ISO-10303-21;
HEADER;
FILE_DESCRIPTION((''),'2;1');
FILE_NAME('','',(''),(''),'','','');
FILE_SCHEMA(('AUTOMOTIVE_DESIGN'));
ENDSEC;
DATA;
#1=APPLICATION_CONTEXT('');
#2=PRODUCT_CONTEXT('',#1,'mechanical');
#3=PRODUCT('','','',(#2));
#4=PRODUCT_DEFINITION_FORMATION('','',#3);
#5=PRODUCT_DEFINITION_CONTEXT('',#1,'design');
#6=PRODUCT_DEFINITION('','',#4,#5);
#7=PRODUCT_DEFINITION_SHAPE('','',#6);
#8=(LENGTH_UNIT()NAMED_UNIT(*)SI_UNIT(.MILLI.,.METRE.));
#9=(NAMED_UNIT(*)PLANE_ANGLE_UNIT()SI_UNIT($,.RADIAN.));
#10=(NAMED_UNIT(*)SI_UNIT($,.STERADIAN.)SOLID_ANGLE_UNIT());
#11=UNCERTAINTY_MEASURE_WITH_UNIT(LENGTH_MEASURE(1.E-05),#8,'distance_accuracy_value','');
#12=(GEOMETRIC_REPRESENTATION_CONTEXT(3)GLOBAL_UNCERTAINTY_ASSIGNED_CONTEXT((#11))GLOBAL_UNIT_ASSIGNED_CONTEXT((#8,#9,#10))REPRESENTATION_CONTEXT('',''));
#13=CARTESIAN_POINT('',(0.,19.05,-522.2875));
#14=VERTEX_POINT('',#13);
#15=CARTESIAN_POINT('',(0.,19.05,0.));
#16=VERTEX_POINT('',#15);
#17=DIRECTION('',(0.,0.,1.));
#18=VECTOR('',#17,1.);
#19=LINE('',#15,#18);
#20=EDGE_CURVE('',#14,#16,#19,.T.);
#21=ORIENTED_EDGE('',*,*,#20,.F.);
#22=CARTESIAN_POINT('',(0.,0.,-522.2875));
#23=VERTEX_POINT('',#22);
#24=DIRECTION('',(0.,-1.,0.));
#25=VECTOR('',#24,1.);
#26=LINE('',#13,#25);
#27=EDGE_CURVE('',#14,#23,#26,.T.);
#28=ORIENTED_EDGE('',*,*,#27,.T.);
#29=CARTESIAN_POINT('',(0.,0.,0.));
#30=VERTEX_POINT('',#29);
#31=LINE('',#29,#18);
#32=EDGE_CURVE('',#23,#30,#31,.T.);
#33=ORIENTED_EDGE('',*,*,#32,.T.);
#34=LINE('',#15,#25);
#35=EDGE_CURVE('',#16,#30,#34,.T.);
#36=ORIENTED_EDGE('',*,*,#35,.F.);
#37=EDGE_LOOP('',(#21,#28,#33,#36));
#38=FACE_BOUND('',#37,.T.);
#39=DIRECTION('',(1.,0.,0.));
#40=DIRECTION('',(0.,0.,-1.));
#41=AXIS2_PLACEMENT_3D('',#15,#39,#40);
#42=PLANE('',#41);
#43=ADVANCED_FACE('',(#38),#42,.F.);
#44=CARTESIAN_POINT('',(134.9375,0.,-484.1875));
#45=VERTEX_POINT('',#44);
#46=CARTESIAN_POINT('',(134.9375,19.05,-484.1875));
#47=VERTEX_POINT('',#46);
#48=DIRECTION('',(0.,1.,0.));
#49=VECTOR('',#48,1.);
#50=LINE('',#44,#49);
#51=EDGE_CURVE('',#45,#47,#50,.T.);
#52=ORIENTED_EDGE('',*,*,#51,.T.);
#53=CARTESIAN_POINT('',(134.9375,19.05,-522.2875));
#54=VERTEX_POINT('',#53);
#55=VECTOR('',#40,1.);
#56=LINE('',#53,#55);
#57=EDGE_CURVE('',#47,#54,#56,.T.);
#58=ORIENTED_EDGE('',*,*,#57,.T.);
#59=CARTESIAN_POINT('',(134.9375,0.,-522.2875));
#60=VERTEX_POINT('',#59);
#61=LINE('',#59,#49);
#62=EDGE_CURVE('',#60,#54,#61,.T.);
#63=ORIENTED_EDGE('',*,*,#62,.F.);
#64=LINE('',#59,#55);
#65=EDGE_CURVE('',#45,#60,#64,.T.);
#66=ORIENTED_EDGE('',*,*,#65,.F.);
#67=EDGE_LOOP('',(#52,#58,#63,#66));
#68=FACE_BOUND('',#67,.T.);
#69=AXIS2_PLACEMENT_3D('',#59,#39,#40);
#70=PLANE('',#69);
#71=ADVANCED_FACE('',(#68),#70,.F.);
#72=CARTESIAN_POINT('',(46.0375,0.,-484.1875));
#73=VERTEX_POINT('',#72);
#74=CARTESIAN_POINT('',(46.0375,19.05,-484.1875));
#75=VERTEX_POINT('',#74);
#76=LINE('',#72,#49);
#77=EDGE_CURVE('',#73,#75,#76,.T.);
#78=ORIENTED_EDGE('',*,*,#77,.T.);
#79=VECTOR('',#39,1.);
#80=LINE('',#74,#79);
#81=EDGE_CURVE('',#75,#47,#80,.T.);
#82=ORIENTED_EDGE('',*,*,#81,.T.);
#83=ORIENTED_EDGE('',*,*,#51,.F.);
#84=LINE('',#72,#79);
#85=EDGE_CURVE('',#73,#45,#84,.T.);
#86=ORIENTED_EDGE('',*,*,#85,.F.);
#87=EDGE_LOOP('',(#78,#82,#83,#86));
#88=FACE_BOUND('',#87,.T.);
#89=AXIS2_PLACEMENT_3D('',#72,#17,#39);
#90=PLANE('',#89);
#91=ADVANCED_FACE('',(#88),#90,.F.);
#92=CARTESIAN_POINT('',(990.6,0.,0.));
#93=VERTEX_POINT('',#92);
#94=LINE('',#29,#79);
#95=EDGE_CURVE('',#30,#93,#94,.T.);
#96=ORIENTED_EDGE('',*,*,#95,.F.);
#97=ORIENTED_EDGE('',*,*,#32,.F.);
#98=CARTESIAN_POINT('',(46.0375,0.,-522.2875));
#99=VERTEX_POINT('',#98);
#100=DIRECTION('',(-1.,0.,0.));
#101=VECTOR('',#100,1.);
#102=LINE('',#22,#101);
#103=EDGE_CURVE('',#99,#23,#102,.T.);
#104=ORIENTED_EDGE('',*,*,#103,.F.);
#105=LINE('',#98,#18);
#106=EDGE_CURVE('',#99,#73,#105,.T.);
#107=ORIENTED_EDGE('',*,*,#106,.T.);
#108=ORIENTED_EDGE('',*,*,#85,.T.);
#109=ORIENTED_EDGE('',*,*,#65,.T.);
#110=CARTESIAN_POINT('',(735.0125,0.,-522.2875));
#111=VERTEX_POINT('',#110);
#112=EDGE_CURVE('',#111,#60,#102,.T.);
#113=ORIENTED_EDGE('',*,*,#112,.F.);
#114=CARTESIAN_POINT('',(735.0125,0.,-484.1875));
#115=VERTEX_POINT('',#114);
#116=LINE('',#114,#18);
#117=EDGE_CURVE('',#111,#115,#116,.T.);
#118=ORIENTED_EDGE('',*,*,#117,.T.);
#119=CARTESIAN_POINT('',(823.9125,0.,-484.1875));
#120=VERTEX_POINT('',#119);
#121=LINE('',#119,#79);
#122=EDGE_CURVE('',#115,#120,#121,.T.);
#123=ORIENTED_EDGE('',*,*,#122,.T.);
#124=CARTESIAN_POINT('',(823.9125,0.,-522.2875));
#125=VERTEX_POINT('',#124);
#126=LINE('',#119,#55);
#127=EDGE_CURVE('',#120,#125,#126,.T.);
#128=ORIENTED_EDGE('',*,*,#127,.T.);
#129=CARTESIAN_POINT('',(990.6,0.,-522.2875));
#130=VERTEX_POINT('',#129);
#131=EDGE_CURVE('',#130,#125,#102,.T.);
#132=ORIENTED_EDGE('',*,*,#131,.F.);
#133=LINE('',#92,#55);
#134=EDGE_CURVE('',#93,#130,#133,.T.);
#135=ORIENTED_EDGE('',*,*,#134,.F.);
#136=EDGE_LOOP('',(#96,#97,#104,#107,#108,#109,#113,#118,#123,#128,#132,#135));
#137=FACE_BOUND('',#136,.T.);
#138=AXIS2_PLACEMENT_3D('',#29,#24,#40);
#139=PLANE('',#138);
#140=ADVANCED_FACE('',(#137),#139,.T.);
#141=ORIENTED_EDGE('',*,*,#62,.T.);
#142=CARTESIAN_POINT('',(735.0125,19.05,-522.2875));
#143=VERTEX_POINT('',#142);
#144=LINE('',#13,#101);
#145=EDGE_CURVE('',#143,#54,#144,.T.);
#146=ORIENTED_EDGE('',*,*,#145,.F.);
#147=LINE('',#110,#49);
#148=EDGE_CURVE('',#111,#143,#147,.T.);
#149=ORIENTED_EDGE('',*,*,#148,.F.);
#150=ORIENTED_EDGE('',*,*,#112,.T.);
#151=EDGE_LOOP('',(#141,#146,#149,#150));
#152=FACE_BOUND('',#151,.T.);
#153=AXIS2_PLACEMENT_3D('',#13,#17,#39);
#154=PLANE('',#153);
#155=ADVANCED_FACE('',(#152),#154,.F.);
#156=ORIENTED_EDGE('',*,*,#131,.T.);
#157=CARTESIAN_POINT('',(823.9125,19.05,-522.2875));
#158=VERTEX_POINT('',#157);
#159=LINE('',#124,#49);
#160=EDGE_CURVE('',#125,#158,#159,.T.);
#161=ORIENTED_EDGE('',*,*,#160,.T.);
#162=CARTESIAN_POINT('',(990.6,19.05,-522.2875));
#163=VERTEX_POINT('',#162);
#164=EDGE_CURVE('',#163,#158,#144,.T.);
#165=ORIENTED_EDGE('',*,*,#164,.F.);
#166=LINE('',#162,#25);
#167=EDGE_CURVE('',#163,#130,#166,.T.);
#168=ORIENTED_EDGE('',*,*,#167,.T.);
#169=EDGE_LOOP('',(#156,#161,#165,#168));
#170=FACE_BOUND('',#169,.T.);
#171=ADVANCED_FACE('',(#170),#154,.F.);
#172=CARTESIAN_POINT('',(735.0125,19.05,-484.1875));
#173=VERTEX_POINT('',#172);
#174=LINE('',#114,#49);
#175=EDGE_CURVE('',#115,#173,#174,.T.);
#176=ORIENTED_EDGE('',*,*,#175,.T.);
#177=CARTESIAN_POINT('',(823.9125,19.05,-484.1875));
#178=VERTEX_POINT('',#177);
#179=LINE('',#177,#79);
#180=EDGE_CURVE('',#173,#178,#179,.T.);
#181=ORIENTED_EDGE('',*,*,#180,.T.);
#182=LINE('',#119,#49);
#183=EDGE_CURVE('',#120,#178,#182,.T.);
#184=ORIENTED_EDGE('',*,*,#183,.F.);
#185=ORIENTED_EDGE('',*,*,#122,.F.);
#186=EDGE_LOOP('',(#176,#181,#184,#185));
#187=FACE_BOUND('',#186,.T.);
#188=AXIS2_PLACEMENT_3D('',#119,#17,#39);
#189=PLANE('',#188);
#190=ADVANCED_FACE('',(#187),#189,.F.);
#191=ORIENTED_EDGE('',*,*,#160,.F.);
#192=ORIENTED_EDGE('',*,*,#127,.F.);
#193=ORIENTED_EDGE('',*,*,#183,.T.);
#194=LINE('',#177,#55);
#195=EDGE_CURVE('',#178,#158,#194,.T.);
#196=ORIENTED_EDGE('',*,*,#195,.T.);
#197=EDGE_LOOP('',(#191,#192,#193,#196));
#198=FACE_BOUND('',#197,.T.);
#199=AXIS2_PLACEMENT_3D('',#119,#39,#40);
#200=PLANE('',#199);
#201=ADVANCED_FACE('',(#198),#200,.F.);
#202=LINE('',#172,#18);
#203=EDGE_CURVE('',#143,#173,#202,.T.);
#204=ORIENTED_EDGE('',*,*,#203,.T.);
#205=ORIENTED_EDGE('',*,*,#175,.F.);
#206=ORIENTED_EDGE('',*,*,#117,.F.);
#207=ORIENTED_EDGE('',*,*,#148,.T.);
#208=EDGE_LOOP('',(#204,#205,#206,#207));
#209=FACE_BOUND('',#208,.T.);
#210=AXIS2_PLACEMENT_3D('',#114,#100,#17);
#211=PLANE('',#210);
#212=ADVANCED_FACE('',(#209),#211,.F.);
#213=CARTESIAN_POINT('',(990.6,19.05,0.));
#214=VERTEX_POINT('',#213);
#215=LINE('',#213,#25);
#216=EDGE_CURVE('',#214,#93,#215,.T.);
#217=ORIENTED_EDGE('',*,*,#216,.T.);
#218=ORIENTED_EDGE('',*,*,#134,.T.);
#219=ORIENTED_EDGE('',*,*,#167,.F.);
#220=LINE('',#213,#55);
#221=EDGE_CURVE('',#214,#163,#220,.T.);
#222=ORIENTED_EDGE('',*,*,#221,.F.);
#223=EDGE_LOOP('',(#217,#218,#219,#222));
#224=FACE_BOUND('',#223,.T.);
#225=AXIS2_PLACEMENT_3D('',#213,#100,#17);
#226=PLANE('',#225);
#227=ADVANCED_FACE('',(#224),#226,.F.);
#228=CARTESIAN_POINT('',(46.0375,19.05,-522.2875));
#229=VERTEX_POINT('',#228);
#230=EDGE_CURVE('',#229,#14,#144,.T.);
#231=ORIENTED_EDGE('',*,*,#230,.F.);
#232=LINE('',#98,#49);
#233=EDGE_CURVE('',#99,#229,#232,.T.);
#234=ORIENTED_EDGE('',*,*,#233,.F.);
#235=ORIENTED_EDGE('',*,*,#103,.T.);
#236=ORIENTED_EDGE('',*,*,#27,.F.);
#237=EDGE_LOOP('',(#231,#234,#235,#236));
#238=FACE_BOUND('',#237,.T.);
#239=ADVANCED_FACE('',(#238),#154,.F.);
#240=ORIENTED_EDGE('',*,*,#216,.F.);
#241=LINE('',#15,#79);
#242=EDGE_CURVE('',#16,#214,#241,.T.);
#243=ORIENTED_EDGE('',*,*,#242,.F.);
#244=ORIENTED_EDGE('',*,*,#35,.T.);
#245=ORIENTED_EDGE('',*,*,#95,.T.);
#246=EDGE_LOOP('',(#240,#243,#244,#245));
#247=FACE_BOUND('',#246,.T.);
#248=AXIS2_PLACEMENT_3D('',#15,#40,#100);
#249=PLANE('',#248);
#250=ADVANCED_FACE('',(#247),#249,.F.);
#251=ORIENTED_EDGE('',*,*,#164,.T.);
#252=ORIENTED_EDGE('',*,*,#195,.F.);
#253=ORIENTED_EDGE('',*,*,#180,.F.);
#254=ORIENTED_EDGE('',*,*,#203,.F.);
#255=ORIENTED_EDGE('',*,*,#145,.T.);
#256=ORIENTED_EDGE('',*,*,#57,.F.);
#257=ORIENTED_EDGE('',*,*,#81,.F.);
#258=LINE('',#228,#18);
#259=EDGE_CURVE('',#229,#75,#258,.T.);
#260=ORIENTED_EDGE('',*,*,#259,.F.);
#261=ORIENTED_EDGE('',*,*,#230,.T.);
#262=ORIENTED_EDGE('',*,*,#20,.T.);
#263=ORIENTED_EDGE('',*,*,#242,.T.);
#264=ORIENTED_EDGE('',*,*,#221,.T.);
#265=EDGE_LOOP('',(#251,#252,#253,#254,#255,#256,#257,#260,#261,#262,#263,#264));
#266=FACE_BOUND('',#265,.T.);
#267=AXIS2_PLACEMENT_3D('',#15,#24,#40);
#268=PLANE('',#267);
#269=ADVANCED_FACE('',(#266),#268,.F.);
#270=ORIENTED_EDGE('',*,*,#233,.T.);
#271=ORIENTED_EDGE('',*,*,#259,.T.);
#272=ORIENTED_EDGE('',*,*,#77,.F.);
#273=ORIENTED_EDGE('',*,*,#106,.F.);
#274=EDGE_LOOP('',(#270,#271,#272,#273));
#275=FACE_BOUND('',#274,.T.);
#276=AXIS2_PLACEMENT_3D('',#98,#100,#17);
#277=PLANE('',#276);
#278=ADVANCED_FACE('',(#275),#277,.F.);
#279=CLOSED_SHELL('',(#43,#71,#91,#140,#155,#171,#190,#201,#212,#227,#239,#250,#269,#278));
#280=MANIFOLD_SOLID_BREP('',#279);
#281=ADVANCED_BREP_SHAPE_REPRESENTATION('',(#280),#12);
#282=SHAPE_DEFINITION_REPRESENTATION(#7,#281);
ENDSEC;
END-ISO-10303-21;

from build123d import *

# Parameters (mm, degrees)
SKETCH1_W           = 990.6
SKETCH1_H           = 522.2875
BOSS_EXTRUDE1_DEPTH = 19.05
SKETCH2_W           = 88.9
SKETCH2_H           = 38.1
CUT_EXTRUDE1_DEPTH  = 20.05


with BuildPart() as part:
    # Sketch1 → Boss-Extrude1 (new body)
    with BuildSketch(Plane(origin=(0, 0, 0), x_dir=(1, 0, 0), z_dir=(0, 1, 0))):
        with Locations((495.3, 261.14375)):
            Rectangle(SKETCH1_W, SKETCH1_H)
    extrude(amount=BOSS_EXTRUDE1_DEPTH)

    # Sketch2 → Cut-Extrude1 (cut, through all)
    with BuildSketch(Plane(origin=(0, 19.05, 0), x_dir=(1, 0, 0), z_dir=(0, 1, 0))):
        with Locations((779.4625, 503.2375)):
            Rectangle(SKETCH2_W, SKETCH2_H)
        with Locations((90.4875, 503.2375)):
            Rectangle(SKETCH2_W, SKETCH2_H)
    extrude(amount=-CUT_EXTRUDE1_DEPTH, mode=Mode.SUBTRACT)


solid = part.part
